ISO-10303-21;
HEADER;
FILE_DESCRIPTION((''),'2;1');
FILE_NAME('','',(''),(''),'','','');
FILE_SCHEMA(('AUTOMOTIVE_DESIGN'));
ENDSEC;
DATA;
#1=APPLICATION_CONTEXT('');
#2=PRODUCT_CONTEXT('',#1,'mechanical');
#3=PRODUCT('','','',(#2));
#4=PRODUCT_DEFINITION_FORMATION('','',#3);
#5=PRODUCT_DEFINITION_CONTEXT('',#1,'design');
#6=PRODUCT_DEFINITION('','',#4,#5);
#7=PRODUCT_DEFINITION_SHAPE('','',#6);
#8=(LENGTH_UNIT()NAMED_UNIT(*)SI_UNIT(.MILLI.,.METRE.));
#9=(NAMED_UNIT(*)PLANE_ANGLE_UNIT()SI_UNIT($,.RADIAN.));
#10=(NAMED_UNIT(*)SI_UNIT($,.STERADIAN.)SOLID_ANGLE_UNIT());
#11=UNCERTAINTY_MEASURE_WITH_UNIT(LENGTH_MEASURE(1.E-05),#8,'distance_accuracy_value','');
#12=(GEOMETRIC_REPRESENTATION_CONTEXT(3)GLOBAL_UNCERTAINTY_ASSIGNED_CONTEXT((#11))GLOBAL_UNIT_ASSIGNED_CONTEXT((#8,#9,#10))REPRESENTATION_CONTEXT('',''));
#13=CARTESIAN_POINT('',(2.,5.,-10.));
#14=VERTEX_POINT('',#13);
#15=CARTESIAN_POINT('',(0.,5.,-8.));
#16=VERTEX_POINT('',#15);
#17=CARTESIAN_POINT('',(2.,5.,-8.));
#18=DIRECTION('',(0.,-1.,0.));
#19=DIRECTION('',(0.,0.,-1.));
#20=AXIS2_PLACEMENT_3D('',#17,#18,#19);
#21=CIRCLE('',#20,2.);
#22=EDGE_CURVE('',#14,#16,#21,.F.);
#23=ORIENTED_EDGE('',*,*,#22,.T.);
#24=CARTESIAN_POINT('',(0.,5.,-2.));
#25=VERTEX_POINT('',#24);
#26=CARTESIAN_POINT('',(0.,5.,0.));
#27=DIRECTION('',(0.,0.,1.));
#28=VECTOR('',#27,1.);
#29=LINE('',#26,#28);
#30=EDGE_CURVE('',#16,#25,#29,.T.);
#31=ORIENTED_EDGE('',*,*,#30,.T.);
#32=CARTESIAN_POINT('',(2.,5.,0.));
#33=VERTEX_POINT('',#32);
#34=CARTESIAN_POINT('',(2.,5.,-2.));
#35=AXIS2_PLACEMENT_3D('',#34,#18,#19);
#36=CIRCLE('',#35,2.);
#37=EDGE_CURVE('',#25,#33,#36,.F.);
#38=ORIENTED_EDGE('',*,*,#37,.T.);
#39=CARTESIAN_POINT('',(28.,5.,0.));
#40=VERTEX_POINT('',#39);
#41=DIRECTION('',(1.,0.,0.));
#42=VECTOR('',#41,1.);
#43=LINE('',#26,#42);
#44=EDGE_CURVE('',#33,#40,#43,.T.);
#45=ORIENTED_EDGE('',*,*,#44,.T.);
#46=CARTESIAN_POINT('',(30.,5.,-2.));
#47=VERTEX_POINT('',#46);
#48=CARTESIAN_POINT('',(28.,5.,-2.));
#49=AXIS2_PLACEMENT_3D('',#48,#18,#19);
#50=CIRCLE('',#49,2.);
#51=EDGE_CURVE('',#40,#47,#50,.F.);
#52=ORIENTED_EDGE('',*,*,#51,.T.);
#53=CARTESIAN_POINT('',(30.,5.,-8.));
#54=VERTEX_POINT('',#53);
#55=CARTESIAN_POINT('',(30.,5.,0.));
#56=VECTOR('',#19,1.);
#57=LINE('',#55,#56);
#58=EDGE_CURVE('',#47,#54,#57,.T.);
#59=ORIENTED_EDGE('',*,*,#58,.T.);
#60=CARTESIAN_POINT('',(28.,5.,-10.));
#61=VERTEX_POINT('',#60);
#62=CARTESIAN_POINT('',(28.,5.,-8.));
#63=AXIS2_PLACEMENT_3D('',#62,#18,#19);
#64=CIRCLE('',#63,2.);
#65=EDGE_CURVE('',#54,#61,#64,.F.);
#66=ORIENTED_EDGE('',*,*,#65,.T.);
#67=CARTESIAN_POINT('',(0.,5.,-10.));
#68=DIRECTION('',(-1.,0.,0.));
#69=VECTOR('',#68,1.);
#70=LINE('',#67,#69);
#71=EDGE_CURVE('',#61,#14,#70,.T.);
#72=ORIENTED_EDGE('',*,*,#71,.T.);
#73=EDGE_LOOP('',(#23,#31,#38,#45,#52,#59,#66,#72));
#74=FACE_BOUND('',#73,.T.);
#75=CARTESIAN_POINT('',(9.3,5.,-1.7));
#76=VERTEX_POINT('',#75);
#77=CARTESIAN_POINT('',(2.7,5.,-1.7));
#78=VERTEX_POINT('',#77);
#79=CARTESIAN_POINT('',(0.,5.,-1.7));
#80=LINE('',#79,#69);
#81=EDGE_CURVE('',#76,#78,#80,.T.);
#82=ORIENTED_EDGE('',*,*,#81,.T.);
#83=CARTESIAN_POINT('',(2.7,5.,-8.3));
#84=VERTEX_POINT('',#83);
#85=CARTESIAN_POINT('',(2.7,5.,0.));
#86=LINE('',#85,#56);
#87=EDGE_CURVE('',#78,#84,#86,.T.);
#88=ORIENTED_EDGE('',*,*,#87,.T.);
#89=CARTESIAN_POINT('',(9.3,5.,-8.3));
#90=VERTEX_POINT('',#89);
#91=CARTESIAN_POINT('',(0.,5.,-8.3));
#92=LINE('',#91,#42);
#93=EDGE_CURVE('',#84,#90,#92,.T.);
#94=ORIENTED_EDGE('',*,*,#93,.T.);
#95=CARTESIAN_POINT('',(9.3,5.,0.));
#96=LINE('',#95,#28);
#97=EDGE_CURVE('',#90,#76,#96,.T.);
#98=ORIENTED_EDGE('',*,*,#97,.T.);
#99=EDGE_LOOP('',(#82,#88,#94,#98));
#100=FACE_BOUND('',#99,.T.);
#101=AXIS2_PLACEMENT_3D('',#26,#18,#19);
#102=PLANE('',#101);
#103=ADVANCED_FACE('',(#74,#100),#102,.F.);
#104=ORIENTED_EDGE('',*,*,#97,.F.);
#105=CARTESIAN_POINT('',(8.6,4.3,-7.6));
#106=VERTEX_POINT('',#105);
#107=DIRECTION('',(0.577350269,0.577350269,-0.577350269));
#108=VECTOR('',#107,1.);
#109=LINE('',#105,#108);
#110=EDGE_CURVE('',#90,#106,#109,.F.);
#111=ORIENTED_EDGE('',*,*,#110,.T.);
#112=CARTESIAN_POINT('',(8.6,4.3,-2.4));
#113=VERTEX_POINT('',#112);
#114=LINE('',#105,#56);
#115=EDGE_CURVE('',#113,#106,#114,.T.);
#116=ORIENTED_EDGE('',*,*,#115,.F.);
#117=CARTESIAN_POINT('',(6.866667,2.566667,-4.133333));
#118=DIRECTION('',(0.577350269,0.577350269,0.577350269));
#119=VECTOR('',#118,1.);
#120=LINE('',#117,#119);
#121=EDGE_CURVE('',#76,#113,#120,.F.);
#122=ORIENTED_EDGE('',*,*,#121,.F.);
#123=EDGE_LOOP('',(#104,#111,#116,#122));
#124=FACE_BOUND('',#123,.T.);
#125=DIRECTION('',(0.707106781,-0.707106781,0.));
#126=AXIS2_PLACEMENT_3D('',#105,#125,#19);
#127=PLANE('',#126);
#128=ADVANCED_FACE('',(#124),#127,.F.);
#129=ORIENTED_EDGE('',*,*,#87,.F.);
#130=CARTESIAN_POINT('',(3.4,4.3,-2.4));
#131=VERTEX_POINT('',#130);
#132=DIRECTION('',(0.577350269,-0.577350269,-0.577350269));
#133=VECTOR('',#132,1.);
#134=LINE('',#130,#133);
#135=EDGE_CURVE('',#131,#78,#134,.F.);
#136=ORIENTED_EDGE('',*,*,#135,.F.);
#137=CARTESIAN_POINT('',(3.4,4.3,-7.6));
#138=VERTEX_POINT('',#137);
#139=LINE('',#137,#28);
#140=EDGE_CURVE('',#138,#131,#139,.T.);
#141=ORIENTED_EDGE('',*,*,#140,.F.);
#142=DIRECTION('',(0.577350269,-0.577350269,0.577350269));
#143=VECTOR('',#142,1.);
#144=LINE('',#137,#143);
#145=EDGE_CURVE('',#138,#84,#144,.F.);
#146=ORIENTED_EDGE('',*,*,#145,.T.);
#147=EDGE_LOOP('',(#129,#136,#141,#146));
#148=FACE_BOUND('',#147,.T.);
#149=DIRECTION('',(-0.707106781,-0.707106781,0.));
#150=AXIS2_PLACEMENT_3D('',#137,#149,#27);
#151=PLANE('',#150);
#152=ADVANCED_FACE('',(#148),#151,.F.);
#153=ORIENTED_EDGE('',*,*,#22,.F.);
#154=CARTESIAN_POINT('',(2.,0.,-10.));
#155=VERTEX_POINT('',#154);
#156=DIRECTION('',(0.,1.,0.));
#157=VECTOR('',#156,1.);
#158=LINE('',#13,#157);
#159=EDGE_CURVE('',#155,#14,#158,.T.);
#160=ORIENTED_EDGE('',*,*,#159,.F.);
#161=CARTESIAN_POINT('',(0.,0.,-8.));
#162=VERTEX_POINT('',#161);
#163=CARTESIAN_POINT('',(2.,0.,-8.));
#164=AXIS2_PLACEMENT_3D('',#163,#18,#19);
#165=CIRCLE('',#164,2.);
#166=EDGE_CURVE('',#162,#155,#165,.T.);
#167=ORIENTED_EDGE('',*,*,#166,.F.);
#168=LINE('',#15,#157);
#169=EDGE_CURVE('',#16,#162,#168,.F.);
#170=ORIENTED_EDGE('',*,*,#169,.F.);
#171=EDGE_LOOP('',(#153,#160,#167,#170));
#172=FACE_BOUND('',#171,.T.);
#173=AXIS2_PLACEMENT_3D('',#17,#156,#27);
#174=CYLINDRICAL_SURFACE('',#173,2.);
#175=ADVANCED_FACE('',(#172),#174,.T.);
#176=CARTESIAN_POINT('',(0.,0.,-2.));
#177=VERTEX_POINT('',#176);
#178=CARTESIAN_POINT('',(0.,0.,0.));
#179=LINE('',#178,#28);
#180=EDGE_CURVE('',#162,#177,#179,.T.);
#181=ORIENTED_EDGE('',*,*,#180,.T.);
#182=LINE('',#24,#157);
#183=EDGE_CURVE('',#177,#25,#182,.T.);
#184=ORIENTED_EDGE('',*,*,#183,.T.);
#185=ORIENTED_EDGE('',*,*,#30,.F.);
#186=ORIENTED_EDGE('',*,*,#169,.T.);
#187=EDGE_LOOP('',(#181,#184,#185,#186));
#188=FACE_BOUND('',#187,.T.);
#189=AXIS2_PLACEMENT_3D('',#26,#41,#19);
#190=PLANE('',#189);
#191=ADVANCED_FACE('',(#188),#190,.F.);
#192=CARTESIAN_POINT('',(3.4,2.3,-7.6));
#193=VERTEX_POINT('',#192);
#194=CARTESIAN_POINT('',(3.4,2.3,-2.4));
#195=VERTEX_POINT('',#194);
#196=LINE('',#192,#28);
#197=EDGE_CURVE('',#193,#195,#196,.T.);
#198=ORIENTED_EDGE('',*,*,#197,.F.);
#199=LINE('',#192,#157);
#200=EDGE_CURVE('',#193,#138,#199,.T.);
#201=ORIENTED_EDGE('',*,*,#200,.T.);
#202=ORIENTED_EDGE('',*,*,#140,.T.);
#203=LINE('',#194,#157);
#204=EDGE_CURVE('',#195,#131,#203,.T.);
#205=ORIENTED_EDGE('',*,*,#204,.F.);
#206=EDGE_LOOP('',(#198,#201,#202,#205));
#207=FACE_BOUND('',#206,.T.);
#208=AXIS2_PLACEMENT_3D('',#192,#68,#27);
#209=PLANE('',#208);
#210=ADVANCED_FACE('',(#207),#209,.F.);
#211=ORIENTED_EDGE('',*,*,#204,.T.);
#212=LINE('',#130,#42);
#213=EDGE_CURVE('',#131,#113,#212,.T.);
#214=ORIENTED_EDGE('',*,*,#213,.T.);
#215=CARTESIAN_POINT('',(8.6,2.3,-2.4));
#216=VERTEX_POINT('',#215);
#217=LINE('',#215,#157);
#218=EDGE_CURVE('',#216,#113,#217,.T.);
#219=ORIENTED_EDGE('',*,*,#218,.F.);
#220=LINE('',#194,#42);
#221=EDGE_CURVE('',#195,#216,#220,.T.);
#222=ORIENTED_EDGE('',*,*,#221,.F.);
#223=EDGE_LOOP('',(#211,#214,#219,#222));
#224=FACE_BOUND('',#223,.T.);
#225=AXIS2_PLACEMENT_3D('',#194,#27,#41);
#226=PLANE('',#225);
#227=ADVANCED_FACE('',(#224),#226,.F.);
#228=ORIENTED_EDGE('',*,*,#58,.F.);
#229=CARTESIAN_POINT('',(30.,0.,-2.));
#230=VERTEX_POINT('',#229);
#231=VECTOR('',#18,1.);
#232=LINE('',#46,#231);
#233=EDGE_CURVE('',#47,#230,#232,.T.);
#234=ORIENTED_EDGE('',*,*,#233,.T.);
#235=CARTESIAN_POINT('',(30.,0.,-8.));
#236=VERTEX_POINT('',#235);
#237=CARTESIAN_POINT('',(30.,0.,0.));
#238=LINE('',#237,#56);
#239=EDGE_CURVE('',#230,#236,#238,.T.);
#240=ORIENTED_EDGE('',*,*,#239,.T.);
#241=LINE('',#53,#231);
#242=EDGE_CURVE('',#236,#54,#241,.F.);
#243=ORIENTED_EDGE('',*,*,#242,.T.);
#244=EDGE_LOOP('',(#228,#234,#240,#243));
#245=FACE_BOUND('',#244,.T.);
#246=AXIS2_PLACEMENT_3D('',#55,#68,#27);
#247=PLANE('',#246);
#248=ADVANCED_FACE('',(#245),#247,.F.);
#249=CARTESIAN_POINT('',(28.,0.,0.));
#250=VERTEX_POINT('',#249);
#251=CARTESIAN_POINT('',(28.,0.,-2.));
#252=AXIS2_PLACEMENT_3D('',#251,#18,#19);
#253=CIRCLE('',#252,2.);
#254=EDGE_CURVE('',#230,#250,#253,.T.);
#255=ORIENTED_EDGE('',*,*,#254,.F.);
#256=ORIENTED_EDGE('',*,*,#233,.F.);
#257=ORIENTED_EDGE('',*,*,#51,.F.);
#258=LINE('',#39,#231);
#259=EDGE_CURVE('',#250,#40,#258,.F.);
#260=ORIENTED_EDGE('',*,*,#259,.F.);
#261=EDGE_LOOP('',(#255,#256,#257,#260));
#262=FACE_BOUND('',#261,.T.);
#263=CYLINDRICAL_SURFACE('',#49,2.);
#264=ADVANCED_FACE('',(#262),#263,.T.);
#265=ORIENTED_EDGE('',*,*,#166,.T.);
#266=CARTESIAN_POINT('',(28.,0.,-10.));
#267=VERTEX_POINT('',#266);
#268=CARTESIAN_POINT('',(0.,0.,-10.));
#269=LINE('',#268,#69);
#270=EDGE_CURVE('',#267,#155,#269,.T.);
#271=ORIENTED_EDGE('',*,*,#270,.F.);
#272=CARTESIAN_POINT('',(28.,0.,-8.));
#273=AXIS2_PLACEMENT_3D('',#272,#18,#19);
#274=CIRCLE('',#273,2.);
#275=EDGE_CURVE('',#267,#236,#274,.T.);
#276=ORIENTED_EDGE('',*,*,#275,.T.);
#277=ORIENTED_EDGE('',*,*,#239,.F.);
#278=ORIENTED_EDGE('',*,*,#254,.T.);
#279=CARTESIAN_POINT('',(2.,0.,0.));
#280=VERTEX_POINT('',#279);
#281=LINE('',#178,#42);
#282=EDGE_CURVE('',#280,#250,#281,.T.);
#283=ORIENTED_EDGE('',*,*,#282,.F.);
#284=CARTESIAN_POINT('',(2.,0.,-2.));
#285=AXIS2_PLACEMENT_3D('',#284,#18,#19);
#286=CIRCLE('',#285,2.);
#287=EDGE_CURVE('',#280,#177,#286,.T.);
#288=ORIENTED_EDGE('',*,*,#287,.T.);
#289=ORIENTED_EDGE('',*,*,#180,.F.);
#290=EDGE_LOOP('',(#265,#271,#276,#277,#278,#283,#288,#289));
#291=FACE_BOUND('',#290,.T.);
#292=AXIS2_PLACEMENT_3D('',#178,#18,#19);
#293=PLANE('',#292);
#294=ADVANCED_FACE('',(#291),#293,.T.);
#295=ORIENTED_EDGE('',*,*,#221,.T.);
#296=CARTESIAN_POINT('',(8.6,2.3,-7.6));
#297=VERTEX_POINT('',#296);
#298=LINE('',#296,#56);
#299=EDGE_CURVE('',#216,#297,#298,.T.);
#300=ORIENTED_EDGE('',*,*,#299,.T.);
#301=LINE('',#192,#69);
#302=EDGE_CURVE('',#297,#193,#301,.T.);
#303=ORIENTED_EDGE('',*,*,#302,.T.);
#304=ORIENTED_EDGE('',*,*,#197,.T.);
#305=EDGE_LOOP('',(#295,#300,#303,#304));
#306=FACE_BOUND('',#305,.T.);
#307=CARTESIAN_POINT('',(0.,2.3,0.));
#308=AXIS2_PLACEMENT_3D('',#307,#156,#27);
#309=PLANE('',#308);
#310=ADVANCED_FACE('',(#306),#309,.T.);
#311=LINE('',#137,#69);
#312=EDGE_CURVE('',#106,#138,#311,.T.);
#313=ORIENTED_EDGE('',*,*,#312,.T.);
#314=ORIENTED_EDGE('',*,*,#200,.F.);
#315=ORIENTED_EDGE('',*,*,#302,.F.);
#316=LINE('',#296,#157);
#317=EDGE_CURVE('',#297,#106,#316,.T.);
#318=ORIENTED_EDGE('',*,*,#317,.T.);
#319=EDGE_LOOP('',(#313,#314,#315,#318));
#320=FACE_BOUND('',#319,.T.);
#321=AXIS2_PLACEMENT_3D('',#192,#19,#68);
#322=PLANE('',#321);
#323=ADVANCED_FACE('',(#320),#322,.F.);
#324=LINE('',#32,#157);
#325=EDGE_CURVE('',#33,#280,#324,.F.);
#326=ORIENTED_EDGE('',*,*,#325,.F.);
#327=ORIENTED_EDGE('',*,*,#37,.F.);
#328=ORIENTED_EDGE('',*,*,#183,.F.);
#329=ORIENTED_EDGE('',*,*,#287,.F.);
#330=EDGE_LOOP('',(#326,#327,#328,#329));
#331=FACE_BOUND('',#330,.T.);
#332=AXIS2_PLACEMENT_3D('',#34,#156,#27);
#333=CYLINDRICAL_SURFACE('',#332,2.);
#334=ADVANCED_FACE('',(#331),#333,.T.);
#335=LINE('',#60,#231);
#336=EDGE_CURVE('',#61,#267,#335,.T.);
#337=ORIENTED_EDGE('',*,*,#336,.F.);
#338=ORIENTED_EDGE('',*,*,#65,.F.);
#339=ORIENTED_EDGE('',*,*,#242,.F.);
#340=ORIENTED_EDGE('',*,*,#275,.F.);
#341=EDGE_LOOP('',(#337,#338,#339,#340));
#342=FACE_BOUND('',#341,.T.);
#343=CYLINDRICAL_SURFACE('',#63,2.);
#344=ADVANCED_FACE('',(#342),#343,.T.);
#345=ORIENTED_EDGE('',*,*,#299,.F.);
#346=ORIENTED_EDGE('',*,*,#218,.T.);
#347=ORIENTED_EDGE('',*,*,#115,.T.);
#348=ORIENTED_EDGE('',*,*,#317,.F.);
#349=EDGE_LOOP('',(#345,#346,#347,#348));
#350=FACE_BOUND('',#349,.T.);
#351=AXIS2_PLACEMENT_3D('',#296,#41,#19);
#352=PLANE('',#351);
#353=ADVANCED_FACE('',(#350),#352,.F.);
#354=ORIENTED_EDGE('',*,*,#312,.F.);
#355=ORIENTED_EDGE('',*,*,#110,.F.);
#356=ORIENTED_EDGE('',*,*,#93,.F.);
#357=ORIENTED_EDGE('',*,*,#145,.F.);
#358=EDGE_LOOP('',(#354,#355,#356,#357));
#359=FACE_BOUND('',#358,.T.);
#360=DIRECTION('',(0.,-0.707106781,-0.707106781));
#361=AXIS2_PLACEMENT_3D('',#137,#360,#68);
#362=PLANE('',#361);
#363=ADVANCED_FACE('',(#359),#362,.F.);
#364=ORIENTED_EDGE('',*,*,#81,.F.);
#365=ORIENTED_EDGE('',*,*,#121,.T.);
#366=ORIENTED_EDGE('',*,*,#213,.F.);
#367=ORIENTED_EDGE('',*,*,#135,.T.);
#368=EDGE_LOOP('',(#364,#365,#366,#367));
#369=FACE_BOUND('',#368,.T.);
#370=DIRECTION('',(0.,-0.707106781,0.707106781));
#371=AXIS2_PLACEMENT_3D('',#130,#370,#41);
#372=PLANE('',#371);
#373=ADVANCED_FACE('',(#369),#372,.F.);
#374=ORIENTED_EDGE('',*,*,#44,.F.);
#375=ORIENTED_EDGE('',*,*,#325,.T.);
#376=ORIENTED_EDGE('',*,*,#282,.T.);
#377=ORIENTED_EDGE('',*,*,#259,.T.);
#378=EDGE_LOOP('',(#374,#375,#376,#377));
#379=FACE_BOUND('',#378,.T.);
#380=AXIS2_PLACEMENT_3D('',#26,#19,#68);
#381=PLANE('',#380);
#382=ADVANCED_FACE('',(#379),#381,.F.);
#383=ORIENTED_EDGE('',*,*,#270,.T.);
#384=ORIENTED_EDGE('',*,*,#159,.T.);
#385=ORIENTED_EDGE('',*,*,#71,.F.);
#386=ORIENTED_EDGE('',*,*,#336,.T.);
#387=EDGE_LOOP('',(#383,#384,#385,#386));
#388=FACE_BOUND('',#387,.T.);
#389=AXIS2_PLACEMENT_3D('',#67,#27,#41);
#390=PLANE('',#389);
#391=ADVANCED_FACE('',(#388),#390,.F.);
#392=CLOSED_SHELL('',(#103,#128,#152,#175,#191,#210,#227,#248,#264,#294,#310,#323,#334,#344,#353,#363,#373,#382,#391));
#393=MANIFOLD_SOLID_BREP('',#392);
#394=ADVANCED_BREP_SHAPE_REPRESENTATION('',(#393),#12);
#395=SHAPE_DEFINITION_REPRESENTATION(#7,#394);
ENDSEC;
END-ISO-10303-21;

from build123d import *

# Parameters (mm, degrees)
ESBO_O1_W                = 30
ESBO_O1_H                = 10
RESSALTO_EXTRUS_O1_DEPTH = 5
ESBO_O2_W                = 5.2
ESBO_O2_H                = 5.2
CORTE_EXTRUS_O1_DEPTH    = 2.7
CHANFRO1_SIZE            = 0.7
FILETE1_R                = 2
FILETE2_R                = 2
FILETE3_R                = 2
FILETE4_R                = 2


with BuildPart() as part:
    # Esboço1 → Ressalto-extrusão1 (new body)
    with BuildSketch(Plane(origin=(0, 0, 0), x_dir=(1, 0, 0), z_dir=(0, 1, 0))):
        with Locations((15, 5)):
            Rectangle(ESBO_O1_W, ESBO_O1_H)
    extrude(amount=RESSALTO_EXTRUS_O1_DEPTH)

    # Esboço2 → Corte-extrusão1 (cut)
    with BuildSketch(Plane(origin=(0, 5, 0), x_dir=(1, 0, 0), z_dir=(0, 1, 0))):
        with Locations((6, 5)):
            Rectangle(ESBO_O2_W, ESBO_O2_H)
    extrude(amount=-CORTE_EXTRUS_O1_DEPTH, mode=Mode.SUBTRACT)

    # Chanfro1
    chanfro1_edges = [part.edges().sort_by_distance(p)[0] for p in [
        (8.6, 5, -5),
        (6, 5, -7.6),
        (3.4, 5, -5),
        (6, 5, -2.4),
    ]]
    chamfer(chanfro1_edges, length=CHANFRO1_SIZE)

    # Filete1
    filete1_edges = [part.edges().sort_by_distance(p)[0] for p in [
        (30, 2.5, 0),
    ]]
    fillet(filete1_edges, radius=FILETE1_R)

    # Filete2
    filete2_edges = [part.edges().sort_by_distance(p)[0] for p in [
        (30, 2.5, -10),
    ]]
    fillet(filete2_edges, radius=FILETE2_R)

    # Filete3
    filete3_edges = [part.edges().sort_by_distance(p)[0] for p in [
        (0, 2.5, 0),
    ]]
    fillet(filete3_edges, radius=FILETE3_R)

    # Filete4
    filete4_edges = [part.edges().sort_by_distance(p)[0] for p in [
        (0, 2.5, -10),
    ]]
    fillet(filete4_edges, radius=FILETE4_R)


solid = part.part
